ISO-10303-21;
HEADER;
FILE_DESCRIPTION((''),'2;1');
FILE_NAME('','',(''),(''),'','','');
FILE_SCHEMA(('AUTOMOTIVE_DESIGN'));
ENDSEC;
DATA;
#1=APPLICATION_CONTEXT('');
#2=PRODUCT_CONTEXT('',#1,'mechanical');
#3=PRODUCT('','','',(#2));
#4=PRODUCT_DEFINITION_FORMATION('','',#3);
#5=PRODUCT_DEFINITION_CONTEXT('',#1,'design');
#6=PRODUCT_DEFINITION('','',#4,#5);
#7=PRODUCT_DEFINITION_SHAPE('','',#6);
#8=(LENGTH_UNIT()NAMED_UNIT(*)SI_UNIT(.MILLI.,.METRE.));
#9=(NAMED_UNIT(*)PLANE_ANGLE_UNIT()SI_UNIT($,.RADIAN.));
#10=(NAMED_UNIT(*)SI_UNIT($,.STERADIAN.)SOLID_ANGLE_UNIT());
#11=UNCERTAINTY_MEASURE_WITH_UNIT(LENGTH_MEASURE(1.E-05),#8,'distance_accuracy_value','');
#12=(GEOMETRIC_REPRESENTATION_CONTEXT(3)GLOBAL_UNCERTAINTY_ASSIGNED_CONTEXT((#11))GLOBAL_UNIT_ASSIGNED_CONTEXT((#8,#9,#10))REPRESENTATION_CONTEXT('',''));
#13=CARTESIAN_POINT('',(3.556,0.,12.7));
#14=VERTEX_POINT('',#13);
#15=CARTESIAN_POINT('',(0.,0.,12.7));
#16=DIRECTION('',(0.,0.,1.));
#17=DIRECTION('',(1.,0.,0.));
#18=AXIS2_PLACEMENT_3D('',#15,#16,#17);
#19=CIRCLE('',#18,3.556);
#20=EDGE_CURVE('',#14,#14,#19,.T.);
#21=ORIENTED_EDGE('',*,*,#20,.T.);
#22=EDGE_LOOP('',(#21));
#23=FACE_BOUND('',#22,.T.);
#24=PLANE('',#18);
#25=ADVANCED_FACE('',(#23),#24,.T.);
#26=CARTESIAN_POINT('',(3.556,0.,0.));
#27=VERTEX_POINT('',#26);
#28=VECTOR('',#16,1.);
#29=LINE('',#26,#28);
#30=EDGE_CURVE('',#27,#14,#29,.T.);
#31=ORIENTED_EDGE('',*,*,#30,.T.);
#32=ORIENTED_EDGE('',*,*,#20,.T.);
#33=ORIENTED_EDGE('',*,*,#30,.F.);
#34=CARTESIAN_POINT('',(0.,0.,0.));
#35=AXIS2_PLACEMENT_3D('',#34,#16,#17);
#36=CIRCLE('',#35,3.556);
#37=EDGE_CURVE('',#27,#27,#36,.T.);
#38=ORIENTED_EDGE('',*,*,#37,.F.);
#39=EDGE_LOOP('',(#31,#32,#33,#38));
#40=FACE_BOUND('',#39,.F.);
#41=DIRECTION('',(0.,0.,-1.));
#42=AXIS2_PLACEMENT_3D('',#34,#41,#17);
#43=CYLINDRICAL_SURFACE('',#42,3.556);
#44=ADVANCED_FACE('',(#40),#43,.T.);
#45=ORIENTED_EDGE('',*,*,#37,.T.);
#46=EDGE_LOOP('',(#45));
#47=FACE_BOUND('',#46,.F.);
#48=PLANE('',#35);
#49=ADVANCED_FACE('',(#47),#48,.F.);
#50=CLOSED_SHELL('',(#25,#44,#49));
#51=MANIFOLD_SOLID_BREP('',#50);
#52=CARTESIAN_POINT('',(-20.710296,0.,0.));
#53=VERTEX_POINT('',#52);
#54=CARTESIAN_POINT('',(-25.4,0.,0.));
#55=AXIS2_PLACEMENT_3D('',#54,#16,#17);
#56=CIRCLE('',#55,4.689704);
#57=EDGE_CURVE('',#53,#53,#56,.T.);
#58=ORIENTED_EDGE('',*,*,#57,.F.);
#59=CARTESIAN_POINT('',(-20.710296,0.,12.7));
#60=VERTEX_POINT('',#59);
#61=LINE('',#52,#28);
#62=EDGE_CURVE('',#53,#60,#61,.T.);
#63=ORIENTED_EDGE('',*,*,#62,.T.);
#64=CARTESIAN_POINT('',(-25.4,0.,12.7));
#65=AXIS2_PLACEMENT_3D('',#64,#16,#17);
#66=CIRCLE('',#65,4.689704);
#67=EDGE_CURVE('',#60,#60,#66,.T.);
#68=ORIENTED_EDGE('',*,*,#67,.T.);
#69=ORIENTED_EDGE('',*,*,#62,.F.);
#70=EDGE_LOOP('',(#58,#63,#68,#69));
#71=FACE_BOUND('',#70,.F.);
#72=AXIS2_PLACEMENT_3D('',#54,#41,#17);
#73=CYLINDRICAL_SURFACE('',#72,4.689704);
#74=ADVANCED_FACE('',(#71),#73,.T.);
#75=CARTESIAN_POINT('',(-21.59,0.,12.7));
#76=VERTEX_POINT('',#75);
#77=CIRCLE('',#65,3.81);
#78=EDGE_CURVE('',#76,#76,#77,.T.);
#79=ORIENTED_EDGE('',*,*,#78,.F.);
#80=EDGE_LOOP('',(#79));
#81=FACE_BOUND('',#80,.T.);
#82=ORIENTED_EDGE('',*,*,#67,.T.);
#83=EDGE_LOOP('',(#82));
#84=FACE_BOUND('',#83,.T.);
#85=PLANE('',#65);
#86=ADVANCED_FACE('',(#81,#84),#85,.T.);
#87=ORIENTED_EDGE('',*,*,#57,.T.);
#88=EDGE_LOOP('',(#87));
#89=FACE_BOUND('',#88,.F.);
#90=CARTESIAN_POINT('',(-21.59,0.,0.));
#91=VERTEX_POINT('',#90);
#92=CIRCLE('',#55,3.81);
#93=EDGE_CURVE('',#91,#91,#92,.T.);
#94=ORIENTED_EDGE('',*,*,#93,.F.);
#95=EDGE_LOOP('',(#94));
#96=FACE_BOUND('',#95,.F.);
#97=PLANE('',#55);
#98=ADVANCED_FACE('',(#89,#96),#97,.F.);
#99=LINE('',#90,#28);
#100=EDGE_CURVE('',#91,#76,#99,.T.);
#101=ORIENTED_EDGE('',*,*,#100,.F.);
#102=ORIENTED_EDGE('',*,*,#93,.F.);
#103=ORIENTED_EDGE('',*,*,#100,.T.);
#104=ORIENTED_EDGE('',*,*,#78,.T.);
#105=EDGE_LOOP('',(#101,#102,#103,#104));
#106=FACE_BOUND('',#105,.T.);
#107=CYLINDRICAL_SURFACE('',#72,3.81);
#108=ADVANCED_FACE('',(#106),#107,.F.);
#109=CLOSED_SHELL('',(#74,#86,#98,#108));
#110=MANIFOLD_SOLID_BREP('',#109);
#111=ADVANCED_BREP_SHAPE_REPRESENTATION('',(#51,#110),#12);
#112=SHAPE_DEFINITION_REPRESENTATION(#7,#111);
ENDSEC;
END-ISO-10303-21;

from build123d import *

# Parameters (mm, degrees)
F0_R     = 4.689704
F0_R_2   = 3.81
F0_R_3   = 3.556
F1_DEPTH = 12.7


with BuildPart() as f1:
    # F0 (on Top) → F1 (new body)
    with BuildSketch(Plane.XY):
        with Locations((-25.4, 0)):
            Circle(F0_R)
        with Locations((-25.4, 0)):
            Circle(F0_R_2, mode=Mode.SUBTRACT)
        Circle(F0_R_3)
    extrude(amount=F1_DEPTH)


solid = f1.part
